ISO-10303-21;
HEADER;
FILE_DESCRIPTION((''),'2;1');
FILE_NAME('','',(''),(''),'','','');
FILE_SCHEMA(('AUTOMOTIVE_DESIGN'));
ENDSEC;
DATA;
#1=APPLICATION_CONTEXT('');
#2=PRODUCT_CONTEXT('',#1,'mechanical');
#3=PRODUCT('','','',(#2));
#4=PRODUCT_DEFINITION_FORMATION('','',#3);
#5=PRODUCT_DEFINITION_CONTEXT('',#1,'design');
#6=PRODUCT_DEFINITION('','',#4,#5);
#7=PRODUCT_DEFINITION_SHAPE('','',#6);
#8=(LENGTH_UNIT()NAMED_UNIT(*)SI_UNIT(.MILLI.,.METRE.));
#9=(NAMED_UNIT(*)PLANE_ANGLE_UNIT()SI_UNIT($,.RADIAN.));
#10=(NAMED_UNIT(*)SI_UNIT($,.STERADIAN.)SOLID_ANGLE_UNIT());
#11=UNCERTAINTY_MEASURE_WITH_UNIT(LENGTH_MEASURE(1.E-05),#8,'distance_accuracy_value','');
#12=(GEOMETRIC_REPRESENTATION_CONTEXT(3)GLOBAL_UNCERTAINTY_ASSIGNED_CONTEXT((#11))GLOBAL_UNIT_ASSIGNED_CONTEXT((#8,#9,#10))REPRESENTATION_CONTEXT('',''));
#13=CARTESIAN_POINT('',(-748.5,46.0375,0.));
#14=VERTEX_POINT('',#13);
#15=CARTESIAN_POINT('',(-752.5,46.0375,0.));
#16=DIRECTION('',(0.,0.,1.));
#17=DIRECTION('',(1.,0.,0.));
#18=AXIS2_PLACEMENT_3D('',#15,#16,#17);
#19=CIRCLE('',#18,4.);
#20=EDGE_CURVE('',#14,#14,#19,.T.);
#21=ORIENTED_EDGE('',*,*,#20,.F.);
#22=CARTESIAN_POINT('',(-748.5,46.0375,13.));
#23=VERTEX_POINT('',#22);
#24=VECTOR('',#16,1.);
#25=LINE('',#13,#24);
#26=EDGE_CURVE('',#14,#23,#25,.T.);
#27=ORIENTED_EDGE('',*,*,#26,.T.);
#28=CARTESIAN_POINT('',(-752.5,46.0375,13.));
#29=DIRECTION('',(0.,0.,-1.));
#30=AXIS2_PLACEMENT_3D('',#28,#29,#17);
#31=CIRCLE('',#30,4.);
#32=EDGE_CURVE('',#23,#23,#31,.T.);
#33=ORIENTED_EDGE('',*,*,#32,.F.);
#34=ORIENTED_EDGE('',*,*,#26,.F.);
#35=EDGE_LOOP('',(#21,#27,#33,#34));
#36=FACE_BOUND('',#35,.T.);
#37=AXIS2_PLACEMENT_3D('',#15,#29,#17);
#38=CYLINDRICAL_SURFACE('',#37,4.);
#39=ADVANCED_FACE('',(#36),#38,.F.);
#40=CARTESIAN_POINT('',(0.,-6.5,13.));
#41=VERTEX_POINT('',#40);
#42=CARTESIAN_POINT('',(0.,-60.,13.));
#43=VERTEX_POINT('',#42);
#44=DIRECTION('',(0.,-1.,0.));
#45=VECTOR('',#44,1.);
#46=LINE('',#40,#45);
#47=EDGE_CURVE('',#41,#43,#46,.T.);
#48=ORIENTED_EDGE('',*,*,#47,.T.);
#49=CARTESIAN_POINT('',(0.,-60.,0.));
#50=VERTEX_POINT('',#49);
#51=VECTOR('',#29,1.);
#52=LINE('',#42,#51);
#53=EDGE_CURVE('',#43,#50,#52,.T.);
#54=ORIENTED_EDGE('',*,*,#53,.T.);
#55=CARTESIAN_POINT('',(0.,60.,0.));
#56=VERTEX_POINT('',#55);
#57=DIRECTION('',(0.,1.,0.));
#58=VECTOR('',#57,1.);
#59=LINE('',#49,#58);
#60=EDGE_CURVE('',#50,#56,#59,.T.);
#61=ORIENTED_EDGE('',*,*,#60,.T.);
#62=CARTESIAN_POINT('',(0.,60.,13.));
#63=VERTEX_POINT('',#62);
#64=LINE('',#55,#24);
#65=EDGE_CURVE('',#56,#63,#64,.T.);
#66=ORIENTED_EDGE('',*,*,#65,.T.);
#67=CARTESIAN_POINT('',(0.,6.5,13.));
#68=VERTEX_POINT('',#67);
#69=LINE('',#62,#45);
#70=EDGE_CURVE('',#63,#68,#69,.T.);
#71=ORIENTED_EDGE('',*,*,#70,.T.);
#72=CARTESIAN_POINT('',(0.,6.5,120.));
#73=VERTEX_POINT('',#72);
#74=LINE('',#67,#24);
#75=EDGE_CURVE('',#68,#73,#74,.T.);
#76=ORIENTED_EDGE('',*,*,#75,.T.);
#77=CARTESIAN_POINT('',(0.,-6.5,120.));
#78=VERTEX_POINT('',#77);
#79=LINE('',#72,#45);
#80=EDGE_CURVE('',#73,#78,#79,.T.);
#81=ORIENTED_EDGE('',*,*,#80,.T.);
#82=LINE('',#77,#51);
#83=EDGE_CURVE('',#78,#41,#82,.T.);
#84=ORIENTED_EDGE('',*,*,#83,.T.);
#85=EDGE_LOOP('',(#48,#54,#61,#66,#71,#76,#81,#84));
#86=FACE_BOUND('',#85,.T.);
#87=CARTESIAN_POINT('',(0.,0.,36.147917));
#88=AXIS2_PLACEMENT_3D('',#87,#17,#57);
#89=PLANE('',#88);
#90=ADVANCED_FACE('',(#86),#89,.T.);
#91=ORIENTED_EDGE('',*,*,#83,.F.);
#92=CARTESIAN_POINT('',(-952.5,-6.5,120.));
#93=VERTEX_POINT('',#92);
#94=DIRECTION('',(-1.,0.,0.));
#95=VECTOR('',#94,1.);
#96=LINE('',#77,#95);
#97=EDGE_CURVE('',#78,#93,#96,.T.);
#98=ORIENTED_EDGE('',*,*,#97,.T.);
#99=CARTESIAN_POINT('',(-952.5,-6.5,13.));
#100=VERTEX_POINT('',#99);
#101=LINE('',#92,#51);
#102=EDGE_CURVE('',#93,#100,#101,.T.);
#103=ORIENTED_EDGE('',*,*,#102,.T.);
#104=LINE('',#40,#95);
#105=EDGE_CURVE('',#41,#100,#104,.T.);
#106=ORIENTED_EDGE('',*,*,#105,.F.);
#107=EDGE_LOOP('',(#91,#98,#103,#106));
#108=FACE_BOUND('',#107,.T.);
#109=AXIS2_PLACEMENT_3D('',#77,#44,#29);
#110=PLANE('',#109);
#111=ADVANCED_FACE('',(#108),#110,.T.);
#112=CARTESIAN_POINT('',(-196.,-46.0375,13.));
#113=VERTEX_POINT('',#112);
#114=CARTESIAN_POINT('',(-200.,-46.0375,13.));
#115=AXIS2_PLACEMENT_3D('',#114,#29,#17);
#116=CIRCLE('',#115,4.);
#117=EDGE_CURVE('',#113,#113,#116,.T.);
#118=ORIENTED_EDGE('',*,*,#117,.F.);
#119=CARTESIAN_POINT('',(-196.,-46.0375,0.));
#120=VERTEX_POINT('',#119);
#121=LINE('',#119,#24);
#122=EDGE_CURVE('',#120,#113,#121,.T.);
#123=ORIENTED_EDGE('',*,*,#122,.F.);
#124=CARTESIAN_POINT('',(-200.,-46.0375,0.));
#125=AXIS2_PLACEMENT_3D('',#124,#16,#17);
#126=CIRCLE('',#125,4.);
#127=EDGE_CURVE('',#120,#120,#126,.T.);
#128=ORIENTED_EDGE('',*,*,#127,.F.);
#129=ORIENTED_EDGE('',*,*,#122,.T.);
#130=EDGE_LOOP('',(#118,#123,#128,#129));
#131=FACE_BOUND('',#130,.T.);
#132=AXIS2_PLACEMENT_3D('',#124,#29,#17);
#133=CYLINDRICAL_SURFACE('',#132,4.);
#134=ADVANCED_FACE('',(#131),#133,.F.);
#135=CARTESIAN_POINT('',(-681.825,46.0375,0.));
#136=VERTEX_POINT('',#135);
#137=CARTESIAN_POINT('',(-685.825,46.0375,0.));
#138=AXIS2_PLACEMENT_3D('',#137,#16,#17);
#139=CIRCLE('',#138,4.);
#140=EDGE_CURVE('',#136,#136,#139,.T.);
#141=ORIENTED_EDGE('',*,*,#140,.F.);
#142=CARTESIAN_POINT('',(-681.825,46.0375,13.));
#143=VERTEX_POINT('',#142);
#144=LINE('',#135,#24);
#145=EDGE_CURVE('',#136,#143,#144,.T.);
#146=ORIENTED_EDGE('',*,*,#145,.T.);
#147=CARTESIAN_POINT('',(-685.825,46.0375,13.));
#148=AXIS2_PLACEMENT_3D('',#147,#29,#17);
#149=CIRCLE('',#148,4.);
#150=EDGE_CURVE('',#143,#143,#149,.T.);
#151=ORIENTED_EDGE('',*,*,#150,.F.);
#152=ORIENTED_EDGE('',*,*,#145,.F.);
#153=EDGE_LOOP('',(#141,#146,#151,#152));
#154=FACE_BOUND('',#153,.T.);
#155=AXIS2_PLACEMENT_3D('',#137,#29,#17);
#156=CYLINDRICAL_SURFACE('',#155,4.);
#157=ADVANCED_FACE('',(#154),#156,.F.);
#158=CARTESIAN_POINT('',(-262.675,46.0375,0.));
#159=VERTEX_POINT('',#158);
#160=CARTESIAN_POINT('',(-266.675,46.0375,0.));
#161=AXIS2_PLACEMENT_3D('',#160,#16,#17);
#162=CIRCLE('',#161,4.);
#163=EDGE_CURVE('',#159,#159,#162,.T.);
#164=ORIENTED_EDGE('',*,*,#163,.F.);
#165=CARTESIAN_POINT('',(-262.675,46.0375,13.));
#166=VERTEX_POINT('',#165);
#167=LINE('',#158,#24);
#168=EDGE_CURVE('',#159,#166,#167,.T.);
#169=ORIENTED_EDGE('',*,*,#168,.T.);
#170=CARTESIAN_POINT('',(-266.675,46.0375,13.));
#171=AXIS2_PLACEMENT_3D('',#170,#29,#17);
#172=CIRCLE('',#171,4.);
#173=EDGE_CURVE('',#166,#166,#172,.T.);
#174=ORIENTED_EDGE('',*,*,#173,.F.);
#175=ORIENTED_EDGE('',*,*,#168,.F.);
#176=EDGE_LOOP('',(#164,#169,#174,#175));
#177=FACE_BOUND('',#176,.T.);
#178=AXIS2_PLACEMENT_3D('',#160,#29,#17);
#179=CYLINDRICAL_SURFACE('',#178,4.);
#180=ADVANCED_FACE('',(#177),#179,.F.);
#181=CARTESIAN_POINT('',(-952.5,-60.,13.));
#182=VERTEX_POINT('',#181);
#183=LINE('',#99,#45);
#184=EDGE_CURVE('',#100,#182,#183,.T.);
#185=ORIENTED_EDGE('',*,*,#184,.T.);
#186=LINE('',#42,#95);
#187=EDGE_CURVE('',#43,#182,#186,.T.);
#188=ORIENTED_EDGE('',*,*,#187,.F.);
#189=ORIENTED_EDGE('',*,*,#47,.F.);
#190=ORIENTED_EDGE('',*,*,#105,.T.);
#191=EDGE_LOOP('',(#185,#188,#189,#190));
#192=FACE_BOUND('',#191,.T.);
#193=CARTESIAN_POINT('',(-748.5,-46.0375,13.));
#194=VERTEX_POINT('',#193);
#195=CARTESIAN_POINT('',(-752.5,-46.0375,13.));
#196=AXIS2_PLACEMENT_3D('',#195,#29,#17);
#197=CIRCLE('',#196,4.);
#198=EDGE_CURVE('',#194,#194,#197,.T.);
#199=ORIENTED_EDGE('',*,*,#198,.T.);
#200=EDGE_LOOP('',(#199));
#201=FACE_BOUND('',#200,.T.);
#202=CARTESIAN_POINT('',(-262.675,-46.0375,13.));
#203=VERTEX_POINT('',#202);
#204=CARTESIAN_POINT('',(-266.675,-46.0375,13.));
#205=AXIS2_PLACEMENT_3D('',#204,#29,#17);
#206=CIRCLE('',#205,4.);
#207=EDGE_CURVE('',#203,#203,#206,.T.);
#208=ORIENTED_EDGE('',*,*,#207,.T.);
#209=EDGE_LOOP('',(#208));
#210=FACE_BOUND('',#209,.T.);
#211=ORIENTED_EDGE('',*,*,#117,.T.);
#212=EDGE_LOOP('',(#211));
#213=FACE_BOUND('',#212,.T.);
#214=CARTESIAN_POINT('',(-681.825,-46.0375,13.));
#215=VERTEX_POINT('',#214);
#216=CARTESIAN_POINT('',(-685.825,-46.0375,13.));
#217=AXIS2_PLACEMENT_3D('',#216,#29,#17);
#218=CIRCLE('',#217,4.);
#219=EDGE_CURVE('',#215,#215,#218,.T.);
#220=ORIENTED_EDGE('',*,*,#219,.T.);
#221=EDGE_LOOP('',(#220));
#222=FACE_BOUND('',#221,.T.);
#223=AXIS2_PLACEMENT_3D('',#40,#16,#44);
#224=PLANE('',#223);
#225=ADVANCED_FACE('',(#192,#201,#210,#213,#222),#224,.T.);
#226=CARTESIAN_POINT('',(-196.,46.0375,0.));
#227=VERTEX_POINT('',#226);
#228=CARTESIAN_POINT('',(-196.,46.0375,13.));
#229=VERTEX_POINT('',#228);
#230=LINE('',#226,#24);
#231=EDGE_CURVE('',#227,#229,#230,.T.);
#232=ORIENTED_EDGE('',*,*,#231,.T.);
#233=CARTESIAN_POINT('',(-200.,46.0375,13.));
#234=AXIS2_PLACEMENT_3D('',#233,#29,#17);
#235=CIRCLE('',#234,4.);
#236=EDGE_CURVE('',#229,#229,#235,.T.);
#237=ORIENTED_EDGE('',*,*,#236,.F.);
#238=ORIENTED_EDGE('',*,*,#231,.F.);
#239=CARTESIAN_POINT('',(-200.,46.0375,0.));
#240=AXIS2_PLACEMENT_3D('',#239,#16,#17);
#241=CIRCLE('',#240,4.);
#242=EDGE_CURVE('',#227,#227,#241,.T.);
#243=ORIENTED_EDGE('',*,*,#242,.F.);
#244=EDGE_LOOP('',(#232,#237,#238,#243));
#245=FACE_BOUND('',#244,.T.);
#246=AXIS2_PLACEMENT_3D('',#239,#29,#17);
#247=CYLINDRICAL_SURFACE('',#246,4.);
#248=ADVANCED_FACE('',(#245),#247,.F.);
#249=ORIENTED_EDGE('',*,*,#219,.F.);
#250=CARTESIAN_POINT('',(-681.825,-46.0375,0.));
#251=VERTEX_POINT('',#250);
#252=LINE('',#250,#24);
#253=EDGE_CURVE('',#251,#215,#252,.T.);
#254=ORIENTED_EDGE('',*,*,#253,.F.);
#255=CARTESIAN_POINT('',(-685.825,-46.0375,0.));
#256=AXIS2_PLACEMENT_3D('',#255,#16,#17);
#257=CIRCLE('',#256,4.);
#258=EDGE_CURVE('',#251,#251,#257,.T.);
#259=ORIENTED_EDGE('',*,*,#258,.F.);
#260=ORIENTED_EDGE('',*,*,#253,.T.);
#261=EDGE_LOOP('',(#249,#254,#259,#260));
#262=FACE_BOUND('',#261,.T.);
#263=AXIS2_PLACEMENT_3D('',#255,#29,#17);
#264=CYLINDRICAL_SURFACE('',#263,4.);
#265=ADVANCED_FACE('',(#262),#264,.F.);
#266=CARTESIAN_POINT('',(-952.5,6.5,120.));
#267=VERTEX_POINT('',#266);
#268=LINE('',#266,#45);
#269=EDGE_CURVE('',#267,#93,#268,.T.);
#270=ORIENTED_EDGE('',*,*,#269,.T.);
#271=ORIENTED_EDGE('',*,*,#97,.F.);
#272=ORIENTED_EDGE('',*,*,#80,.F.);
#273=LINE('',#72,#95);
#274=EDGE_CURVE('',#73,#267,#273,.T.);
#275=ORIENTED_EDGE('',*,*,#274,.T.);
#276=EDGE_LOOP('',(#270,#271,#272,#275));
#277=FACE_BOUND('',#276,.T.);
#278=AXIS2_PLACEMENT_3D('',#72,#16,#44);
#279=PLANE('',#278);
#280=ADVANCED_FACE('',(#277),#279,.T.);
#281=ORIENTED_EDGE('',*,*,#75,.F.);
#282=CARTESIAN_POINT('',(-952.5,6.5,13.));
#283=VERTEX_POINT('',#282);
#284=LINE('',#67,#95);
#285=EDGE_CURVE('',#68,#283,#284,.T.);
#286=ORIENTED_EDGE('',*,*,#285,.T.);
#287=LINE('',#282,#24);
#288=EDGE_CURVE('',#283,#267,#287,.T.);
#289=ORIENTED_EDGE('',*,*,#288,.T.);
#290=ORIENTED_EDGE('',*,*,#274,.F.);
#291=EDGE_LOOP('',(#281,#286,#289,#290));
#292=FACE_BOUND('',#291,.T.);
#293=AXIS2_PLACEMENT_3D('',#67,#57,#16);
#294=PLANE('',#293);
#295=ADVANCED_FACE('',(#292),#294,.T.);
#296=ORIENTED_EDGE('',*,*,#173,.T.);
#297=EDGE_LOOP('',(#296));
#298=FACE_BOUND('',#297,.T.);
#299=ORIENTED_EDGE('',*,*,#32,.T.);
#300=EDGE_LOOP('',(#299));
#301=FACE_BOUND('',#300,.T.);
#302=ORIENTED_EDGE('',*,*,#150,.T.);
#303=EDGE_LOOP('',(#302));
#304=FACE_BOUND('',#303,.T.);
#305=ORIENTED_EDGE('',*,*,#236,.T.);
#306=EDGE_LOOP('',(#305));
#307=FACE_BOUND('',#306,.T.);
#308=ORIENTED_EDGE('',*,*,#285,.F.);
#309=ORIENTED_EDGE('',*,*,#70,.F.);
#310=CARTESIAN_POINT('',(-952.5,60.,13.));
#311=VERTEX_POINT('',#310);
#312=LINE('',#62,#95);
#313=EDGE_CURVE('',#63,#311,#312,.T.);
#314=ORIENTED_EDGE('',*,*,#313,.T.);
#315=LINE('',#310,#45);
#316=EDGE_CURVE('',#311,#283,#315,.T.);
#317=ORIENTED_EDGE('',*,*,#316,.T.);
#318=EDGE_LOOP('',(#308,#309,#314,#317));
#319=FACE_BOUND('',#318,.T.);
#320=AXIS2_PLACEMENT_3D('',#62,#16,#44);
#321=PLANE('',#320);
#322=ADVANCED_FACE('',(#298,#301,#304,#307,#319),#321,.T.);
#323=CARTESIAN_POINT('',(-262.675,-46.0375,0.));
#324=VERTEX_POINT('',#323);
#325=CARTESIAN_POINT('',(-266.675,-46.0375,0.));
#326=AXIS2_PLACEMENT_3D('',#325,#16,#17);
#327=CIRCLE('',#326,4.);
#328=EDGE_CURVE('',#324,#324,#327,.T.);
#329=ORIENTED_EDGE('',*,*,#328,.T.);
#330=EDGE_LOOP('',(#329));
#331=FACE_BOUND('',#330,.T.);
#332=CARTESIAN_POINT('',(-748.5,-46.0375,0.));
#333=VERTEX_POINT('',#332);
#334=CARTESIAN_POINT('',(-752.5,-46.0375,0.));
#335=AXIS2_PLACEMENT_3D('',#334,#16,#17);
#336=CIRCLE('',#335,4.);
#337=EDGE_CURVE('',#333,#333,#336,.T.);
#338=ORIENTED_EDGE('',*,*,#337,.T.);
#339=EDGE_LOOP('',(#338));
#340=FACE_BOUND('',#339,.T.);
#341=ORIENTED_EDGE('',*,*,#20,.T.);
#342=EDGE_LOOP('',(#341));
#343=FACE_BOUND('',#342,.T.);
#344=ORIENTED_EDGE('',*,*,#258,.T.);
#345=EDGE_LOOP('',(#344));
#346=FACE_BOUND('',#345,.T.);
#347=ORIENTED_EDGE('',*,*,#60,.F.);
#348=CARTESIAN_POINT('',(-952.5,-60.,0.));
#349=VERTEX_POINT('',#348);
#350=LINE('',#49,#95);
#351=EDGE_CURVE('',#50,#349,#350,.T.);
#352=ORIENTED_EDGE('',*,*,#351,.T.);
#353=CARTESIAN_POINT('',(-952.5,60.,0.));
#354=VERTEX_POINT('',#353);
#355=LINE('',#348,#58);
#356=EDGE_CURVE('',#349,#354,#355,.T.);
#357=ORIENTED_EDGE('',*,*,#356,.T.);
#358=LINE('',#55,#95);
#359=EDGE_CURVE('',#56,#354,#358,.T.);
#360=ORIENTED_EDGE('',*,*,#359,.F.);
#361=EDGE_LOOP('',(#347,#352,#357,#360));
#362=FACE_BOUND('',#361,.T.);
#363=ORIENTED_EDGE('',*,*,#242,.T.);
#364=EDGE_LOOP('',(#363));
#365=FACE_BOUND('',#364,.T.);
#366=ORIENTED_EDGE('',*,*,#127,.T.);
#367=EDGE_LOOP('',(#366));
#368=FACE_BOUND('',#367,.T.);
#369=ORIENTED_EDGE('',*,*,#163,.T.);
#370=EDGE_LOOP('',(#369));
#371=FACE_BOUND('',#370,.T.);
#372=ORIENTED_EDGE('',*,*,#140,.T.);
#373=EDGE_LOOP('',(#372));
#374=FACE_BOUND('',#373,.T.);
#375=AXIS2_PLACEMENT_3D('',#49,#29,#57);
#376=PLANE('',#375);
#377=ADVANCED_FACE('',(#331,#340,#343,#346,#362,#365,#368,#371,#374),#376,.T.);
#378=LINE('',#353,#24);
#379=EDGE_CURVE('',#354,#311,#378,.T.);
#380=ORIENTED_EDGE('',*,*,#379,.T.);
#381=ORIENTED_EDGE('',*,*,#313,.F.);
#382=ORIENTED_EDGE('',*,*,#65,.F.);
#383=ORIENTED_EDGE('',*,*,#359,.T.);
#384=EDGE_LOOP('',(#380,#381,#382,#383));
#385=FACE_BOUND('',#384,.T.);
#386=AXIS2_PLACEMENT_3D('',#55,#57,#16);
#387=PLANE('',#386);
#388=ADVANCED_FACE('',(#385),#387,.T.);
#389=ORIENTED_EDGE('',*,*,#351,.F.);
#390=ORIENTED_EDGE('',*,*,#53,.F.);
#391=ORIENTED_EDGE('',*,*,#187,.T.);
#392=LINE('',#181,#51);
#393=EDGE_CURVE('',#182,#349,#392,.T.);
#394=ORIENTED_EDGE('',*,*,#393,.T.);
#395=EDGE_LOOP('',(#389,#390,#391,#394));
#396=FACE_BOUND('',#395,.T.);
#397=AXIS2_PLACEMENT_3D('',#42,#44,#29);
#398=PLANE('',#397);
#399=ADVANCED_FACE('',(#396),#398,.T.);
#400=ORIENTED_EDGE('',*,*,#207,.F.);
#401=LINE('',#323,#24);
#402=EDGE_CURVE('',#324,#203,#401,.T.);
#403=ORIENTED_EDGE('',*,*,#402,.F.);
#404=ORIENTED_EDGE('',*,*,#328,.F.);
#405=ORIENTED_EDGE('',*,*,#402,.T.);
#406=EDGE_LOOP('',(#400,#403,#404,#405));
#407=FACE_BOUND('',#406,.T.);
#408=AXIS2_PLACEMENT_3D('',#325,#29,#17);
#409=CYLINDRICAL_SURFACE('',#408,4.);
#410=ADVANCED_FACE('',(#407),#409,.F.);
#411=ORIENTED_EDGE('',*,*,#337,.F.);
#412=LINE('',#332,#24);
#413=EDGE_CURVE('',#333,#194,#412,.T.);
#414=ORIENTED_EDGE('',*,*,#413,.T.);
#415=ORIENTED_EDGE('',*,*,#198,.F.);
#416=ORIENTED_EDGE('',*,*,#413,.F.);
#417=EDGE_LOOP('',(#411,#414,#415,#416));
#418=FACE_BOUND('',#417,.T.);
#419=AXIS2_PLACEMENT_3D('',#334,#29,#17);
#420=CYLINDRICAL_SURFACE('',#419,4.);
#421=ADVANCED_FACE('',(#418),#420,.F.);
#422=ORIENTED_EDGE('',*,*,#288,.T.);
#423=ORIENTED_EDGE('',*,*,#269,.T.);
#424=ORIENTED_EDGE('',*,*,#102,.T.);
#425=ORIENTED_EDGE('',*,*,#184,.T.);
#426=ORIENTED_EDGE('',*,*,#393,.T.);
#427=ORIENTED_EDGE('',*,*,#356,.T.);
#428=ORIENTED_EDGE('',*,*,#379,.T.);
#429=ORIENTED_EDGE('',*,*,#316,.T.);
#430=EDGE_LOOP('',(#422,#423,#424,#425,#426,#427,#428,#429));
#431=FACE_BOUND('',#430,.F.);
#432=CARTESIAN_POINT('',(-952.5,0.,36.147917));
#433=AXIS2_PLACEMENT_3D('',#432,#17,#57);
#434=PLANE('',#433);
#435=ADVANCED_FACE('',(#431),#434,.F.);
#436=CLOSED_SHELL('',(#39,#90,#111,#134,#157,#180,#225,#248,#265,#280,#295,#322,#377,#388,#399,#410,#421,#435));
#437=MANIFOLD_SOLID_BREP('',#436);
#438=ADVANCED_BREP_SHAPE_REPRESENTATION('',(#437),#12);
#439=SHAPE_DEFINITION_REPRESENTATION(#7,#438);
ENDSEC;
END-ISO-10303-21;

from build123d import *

# Parameters (mm, degrees)
F1_DEPTH = 952.5
F2_R     = 4
F3_DEPTH = 120.001


with BuildPart() as f1:
    # F0 (on Right) → F1 (new body)
    with BuildSketch(Plane.YZ):
        Polygon((-60, 13), (-60, 0), (60, 0), (60, 13), (6.5, 13), (6.5, 120), (-6.5, 120), (-6.5, 13), align=None)
    extrude(amount=-F1_DEPTH)

    # F2 (on Top) → F3 (cut, through all)
    with BuildSketch(Plane.XY):
        with Locations((-200, -46.0375)):
            Circle(F2_R)
        with Locations((-200, 46.0375)):
            Circle(F2_R)
        with Locations((-266.675, 46.0375)):
            Circle(F2_R)
        with Locations((-266.675, -46.0375)):
            Circle(F2_R)
        with Locations((-752.5, -46.0375)):
            Circle(F2_R)
        with Locations((-685.825, -46.0375)):
            Circle(F2_R)
        with Locations((-685.825, 46.0375)):
            Circle(F2_R)
        with Locations((-752.5, 46.0375)):
            Circle(F2_R)
    extrude(amount=F3_DEPTH, mode=Mode.SUBTRACT)


solid = f1.part
